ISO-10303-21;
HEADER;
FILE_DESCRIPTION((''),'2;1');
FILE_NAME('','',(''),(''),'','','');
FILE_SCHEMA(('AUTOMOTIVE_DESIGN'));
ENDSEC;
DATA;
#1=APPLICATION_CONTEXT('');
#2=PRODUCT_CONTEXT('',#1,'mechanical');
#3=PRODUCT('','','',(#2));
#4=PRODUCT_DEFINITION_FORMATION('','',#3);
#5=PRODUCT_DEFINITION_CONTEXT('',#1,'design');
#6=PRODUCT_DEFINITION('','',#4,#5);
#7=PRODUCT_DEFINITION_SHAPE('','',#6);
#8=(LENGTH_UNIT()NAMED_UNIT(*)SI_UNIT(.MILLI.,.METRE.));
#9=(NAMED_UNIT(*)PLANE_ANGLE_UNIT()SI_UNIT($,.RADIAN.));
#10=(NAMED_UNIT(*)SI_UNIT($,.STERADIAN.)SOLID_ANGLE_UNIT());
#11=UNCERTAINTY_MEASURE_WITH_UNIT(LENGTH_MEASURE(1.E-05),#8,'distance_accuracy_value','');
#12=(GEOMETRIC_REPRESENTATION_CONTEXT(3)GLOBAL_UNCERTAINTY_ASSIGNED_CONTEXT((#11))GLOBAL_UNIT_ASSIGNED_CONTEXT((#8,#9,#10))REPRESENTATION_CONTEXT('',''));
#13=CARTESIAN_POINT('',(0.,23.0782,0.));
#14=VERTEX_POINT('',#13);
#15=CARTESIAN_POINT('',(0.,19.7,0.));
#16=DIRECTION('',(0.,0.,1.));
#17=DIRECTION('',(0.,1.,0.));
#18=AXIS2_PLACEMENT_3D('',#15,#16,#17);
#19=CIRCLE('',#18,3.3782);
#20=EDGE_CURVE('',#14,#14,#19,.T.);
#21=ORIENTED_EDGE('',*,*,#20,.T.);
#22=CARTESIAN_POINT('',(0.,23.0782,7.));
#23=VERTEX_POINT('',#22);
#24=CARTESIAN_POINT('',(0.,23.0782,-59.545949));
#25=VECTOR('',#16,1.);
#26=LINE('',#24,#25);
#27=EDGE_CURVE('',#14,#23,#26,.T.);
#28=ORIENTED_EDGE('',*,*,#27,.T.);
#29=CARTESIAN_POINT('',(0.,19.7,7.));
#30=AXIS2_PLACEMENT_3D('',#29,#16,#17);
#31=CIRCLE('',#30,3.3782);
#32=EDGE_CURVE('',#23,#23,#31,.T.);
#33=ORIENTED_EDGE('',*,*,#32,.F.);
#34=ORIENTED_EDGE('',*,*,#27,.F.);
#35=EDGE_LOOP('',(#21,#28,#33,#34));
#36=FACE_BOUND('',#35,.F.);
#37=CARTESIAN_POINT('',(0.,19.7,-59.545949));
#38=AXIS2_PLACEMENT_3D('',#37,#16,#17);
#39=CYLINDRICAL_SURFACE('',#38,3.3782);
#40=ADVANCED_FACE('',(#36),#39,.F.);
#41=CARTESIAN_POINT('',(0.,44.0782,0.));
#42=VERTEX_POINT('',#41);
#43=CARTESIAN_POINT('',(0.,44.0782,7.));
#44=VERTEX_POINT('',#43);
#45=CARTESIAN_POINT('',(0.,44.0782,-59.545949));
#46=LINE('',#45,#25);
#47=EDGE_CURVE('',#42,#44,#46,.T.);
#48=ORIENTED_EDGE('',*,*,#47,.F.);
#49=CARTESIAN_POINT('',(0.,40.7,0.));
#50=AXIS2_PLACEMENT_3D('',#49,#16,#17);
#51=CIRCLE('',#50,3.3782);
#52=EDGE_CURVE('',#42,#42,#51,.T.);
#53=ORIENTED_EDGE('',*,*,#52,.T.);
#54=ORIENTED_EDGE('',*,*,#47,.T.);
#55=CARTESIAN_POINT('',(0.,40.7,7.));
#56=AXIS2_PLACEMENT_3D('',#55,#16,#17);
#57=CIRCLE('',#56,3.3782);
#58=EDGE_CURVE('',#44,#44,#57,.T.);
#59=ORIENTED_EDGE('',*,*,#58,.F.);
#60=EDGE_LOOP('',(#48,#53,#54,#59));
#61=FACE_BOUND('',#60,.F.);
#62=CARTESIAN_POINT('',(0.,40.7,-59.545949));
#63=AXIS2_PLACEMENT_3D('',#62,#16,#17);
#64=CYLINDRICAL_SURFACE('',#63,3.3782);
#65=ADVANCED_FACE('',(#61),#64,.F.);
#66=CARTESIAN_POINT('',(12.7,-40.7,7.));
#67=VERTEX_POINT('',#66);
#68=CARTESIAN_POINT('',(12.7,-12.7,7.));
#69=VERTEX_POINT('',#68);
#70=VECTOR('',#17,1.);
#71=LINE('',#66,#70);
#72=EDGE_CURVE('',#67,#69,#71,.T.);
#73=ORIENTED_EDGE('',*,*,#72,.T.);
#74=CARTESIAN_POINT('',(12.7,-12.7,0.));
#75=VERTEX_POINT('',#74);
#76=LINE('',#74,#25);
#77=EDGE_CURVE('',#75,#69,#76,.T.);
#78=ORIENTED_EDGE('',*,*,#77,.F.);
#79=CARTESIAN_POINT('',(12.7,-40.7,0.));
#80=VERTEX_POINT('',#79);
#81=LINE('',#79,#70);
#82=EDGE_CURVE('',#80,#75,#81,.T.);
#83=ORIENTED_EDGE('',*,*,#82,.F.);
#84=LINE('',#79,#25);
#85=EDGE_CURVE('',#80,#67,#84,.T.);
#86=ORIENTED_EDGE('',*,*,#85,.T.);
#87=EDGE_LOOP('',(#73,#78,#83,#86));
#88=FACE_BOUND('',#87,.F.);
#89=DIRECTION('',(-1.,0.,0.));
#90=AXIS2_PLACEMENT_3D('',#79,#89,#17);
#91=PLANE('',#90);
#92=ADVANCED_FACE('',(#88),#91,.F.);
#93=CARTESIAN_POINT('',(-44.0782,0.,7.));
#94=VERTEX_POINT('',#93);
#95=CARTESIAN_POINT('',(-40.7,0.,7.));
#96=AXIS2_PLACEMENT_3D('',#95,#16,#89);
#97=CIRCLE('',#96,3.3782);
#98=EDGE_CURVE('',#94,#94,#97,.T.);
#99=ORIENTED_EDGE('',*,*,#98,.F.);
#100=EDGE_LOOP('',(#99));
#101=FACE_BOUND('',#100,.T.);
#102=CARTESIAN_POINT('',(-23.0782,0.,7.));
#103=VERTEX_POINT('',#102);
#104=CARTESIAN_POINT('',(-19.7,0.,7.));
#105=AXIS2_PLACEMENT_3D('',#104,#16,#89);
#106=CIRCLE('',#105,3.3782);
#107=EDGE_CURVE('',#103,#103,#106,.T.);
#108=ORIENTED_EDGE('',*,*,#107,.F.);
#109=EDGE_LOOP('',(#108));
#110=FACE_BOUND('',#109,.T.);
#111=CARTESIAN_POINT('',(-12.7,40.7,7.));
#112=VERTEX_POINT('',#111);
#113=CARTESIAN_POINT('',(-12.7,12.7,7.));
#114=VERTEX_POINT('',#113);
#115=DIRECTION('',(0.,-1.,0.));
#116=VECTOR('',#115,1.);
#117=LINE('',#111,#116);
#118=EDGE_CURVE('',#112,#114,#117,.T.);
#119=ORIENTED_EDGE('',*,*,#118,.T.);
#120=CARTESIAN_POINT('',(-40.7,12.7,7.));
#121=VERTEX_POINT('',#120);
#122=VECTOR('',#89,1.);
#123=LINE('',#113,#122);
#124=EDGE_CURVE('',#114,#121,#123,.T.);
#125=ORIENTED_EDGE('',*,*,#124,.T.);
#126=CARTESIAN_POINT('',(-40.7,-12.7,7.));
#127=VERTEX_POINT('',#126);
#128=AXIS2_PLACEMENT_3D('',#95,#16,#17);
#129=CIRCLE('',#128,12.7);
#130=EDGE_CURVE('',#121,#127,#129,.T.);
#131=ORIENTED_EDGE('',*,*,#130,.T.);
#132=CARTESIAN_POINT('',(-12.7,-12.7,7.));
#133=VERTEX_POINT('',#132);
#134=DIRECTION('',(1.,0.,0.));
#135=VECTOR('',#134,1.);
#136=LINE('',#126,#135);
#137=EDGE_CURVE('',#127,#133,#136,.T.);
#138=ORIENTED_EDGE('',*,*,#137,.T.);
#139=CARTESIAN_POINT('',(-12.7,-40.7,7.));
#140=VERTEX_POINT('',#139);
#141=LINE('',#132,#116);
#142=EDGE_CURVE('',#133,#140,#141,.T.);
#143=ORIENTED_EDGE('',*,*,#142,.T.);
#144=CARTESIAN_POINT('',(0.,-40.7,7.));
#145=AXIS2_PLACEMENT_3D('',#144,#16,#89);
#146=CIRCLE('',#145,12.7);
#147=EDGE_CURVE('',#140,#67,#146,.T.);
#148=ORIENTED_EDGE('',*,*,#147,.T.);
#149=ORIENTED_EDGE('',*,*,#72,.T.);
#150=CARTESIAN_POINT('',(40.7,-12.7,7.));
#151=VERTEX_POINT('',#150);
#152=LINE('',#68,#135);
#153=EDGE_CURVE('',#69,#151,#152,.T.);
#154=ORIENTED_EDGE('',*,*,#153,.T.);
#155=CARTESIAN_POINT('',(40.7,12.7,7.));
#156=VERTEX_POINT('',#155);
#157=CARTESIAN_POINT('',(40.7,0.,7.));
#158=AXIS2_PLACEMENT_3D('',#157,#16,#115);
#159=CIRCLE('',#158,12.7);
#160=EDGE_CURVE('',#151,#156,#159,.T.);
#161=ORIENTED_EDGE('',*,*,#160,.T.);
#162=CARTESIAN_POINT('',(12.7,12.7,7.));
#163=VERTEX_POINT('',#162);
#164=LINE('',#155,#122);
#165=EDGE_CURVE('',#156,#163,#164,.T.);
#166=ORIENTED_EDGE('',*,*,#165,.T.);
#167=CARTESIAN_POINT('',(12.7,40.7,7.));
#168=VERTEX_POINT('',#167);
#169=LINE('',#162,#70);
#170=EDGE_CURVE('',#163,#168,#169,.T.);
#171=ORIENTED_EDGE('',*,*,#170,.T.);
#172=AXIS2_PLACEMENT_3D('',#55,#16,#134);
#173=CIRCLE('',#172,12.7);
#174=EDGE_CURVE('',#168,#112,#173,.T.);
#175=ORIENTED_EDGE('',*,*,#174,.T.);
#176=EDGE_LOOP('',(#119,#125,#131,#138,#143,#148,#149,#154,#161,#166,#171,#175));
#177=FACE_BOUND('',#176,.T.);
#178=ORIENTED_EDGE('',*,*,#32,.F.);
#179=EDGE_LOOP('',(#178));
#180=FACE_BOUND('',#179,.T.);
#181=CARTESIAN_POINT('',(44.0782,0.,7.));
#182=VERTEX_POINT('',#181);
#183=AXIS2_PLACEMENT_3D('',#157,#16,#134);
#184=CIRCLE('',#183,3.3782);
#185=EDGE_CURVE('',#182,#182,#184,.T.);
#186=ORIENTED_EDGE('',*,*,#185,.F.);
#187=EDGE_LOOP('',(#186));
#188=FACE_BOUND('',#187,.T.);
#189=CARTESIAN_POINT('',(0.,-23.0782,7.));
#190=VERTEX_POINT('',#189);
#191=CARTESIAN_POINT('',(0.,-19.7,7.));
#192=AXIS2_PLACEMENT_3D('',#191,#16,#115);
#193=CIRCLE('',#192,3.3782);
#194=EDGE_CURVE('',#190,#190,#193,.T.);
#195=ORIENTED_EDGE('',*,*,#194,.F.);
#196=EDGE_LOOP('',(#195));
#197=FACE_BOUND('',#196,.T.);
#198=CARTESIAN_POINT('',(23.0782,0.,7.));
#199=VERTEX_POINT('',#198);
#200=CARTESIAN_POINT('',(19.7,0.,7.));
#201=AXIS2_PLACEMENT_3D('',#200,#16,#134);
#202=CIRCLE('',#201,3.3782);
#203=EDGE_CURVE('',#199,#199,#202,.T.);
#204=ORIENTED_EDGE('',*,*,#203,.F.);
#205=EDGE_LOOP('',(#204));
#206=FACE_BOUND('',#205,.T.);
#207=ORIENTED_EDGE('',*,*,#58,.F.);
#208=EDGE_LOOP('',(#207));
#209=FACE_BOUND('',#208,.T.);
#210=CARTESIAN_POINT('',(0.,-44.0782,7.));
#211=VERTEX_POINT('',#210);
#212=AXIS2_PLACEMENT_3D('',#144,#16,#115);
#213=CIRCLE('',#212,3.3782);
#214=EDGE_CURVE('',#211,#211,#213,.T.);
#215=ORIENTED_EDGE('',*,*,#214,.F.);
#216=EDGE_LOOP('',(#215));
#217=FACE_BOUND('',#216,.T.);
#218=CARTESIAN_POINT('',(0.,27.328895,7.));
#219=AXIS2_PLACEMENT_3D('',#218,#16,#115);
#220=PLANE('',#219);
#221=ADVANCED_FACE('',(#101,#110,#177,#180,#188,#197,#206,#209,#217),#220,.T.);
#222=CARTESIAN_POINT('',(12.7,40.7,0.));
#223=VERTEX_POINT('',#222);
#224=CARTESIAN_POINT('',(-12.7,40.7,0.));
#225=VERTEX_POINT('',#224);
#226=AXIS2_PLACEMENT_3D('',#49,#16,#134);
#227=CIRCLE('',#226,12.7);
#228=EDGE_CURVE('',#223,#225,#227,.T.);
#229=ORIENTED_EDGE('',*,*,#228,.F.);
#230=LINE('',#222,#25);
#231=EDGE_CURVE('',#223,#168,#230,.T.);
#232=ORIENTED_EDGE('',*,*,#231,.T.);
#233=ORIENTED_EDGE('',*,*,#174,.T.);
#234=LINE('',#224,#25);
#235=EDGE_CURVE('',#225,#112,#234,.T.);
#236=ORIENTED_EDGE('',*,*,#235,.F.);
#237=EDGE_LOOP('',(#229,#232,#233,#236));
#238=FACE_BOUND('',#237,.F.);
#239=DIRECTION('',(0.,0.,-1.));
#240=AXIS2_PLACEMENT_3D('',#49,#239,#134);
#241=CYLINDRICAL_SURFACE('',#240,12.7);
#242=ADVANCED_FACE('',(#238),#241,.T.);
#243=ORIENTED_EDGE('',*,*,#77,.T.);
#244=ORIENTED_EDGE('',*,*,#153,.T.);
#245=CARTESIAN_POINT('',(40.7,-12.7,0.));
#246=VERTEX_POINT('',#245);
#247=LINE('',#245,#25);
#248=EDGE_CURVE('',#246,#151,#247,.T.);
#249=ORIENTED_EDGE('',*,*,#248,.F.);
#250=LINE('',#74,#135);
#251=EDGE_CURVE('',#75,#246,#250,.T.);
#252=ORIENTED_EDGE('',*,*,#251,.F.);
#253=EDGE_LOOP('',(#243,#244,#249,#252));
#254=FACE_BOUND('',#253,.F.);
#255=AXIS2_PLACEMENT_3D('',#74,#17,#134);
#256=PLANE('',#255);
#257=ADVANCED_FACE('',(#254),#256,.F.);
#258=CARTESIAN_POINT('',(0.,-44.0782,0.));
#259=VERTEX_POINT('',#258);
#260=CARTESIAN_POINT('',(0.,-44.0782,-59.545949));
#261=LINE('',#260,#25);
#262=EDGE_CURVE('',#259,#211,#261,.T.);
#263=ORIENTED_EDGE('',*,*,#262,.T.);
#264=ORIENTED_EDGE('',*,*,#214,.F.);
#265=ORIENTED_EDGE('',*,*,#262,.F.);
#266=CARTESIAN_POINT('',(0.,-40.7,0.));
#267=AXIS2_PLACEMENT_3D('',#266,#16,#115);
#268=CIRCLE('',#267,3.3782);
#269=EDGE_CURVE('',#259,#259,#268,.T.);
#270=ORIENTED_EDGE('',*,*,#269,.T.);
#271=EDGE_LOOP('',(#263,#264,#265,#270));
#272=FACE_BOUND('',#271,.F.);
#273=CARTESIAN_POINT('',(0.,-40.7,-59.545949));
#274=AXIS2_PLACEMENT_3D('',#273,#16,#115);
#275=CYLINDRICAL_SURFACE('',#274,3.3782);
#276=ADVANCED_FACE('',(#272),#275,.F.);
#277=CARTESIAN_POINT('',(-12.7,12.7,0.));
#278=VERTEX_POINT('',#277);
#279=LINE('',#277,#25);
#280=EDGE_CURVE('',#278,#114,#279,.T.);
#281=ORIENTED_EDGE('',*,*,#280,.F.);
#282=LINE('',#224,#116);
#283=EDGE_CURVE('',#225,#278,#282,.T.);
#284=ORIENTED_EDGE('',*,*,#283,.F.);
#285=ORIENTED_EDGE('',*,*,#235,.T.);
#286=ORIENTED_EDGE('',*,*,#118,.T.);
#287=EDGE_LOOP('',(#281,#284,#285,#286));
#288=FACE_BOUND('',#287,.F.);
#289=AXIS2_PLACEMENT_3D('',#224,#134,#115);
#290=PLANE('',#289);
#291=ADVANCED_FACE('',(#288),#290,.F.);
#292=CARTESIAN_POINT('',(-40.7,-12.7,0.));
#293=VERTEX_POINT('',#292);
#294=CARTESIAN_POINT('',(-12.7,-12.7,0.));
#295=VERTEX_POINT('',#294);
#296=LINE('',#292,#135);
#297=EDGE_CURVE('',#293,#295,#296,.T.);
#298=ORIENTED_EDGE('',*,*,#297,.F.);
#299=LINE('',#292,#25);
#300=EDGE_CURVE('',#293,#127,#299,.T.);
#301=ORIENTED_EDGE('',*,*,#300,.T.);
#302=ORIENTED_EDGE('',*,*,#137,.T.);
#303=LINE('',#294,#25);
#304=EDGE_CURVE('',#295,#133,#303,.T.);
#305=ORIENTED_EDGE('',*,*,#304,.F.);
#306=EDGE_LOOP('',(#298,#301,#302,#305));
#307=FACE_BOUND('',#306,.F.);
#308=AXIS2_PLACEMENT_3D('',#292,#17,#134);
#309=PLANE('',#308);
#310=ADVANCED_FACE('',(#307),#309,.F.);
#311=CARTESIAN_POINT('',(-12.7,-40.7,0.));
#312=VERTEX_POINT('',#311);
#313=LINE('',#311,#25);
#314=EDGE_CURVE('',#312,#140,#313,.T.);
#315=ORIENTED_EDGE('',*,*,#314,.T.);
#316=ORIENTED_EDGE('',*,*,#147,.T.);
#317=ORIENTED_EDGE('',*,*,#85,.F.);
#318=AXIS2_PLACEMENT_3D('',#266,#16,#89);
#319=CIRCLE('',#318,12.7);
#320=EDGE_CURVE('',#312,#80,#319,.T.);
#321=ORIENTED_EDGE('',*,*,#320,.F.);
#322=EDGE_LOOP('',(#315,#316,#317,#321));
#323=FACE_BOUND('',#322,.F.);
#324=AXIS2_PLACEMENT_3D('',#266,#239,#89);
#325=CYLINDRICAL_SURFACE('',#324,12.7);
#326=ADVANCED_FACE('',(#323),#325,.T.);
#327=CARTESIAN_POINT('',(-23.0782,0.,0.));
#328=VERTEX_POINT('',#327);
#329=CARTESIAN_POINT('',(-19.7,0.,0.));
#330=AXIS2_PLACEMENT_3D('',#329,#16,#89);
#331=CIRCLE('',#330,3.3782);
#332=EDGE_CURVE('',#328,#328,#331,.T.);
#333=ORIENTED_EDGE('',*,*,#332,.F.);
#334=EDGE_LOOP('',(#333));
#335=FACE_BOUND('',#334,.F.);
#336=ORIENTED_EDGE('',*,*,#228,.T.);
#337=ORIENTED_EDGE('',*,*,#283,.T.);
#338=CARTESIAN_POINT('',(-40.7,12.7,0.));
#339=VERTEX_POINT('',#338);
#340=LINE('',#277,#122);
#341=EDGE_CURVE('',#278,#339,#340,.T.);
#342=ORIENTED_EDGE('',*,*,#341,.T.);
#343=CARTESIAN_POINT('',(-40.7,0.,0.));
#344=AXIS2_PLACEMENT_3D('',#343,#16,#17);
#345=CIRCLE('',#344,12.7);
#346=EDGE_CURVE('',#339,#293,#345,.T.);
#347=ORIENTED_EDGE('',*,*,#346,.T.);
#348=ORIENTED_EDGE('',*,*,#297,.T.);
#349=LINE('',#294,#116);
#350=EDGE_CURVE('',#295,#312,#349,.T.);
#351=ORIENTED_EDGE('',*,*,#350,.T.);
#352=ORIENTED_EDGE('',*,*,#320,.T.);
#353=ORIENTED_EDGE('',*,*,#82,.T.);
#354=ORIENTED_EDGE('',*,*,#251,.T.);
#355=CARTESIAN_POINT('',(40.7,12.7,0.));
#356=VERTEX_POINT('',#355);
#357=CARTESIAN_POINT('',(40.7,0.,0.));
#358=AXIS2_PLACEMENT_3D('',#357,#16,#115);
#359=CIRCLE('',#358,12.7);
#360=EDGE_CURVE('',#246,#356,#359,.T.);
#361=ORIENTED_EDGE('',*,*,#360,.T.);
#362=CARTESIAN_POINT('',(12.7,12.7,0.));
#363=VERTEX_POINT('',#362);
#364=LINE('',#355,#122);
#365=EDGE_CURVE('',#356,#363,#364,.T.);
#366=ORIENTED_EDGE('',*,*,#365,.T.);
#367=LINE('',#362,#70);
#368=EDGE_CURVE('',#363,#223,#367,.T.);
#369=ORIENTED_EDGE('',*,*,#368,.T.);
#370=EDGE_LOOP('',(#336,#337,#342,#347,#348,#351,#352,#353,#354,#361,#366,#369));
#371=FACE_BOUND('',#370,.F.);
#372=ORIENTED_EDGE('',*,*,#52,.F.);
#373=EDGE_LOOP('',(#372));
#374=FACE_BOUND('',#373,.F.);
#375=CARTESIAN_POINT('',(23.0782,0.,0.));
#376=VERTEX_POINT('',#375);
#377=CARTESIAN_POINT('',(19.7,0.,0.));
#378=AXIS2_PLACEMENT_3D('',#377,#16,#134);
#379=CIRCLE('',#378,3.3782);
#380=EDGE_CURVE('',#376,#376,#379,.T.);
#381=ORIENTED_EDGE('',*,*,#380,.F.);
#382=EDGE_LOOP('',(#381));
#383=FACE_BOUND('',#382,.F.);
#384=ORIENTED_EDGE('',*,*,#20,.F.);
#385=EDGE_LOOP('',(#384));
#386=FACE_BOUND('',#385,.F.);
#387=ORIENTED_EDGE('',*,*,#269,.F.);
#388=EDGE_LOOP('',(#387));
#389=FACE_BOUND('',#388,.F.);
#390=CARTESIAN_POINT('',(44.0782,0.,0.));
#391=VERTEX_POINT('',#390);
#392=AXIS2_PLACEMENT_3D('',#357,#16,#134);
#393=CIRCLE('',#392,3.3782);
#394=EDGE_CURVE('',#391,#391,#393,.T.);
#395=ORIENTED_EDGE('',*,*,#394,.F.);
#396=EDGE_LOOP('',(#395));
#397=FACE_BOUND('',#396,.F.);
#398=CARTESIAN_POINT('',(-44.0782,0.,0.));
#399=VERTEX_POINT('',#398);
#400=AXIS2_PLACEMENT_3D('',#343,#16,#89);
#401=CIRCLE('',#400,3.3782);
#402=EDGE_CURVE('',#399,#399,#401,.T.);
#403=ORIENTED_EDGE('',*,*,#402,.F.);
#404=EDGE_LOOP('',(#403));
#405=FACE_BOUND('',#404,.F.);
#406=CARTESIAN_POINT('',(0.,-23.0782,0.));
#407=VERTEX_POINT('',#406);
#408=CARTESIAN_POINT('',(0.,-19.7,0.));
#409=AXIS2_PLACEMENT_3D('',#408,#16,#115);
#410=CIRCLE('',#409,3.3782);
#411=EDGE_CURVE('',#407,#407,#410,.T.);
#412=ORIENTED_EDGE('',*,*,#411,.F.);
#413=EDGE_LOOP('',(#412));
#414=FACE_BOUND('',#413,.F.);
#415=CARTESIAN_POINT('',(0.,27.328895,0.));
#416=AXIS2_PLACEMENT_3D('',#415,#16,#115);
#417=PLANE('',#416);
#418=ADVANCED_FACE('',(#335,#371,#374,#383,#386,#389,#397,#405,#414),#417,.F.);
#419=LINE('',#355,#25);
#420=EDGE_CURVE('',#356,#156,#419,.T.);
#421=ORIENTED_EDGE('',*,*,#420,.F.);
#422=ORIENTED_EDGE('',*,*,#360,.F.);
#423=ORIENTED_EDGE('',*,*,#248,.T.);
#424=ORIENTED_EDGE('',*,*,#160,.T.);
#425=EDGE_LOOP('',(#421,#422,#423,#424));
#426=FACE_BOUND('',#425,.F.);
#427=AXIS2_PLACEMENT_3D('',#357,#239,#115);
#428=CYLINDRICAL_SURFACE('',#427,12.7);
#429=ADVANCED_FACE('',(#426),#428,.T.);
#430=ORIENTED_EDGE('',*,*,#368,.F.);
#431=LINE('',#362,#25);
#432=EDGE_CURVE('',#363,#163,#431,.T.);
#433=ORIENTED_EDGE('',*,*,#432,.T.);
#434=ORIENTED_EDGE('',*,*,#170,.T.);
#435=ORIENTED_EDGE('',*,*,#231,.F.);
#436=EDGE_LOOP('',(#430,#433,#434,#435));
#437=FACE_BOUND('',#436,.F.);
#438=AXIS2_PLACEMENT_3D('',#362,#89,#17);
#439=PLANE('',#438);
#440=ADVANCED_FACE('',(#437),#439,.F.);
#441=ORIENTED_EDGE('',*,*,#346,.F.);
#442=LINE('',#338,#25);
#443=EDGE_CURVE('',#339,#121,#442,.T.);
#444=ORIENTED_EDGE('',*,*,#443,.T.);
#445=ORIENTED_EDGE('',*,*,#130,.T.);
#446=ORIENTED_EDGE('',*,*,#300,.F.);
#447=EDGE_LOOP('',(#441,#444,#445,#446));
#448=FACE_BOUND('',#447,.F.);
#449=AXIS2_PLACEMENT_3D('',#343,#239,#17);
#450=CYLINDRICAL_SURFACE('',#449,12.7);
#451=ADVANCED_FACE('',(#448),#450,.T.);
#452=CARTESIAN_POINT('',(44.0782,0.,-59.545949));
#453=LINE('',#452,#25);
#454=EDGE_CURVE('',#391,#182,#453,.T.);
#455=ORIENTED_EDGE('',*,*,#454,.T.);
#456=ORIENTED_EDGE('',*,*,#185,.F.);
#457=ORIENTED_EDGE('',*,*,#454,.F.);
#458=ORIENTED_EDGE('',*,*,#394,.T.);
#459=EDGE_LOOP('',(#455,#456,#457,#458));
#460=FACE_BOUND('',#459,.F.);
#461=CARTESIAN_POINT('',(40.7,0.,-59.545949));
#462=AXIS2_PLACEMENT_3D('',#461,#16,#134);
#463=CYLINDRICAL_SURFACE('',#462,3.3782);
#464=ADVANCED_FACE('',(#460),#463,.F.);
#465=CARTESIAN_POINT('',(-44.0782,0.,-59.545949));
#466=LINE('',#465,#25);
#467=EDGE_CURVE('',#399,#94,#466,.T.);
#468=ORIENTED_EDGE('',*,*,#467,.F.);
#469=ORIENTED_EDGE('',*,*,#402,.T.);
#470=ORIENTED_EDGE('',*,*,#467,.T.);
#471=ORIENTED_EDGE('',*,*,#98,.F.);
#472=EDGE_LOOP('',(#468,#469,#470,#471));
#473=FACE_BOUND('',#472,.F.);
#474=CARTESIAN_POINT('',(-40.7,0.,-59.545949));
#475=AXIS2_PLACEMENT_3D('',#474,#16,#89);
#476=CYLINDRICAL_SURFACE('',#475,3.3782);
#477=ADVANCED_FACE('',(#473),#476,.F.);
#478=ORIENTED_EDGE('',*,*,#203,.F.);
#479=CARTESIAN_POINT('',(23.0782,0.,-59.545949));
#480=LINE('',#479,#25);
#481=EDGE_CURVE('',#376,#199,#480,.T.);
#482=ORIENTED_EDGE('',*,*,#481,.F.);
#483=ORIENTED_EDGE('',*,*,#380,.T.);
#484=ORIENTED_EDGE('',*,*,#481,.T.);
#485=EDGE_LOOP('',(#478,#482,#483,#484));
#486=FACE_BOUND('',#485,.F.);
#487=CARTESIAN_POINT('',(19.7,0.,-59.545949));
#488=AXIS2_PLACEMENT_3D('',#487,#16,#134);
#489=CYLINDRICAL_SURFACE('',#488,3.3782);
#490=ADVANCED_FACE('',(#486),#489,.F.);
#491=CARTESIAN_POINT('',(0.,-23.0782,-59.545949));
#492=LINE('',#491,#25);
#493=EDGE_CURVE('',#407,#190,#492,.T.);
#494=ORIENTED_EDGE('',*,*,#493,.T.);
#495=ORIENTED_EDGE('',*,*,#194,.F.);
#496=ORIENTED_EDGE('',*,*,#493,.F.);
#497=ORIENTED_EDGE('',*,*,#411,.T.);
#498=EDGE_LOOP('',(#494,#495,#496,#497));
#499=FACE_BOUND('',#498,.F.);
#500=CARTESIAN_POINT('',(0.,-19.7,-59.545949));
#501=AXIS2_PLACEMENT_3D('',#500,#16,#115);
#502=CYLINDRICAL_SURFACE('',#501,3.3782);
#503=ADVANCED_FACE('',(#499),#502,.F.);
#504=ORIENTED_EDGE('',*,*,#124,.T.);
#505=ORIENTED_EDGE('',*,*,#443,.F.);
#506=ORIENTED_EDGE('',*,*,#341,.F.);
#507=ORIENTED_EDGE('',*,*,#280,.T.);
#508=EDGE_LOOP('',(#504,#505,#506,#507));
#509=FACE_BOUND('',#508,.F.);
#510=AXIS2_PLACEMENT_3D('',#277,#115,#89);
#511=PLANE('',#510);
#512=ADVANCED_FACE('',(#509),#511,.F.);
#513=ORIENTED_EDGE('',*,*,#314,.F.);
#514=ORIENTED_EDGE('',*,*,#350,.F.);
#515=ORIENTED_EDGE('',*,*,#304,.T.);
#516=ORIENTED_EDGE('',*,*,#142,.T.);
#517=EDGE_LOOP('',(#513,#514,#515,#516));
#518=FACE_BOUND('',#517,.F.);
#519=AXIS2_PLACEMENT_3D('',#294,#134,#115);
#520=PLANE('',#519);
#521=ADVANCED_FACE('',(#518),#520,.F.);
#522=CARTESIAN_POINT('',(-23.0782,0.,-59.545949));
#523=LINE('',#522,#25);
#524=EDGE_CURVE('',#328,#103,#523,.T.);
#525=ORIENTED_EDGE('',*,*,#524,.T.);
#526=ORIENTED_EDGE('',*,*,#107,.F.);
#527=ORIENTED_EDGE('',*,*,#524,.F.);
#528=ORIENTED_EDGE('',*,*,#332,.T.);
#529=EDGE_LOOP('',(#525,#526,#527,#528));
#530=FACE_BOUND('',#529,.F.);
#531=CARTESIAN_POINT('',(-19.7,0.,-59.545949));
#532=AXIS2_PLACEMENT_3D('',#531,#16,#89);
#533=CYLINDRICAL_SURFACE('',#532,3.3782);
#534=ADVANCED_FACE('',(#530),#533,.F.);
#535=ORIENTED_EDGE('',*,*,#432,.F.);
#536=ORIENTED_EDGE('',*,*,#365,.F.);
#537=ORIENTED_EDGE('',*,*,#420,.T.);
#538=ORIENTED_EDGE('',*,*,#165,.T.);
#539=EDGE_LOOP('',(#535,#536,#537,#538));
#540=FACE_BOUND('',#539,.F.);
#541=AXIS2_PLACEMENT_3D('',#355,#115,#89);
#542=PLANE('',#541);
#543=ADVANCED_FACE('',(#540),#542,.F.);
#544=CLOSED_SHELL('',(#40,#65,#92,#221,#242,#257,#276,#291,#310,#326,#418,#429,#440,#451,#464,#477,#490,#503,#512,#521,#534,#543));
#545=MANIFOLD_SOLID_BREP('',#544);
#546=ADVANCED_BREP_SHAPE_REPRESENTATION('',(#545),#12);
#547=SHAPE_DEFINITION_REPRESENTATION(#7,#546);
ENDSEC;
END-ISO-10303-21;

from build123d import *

# Parameters (mm, degrees)
F3_DEPTH = 7
F4_D     = 6.7564
F5_COUNT = 4


with BuildPart() as f3:
    # F1 (on Top) → F3 (new body)
    with BuildSketch(Plane.XY):
        with BuildLine():
            Line((-28.5, 12.7), (-40.7, 12.7))
            ThreePointArc((-40.7, 12.7), (-53.4, 0), (-40.7, -12.7))
            Line((-40.7, -12.7), (-28.5, -12.7))
            Line((-28.5, -12.7), (-12.7, -12.7))
            Line((-12.7, -12.7), (0, 0))
            Line((0, 0), (-12.7, 12.7))
            Line((-12.7, 12.7), (-28.5, 12.7))
        make_face()
    extrude(amount=F3_DEPTH)

    # F4 (through all)
    with Locations(Plane(origin=(0, 0, 0), x_dir=(1, 0, 0), z_dir=(0, 0, -1))):
        with Locations((-40.7, 0), (-19.7, 0)):
            Hole(F4_D / 2)

    # F5: F3 ×4 about axis
    f5_axis = Axis((0, 0, 15.328399837), (0, 0, 1))


with BuildPart() as f3_1:
    add(f3.part)
    for i in range(1, F5_COUNT):
        add(f3.part.rotate(f5_axis, i * 360 / F5_COUNT))


solid = f3_1.part
